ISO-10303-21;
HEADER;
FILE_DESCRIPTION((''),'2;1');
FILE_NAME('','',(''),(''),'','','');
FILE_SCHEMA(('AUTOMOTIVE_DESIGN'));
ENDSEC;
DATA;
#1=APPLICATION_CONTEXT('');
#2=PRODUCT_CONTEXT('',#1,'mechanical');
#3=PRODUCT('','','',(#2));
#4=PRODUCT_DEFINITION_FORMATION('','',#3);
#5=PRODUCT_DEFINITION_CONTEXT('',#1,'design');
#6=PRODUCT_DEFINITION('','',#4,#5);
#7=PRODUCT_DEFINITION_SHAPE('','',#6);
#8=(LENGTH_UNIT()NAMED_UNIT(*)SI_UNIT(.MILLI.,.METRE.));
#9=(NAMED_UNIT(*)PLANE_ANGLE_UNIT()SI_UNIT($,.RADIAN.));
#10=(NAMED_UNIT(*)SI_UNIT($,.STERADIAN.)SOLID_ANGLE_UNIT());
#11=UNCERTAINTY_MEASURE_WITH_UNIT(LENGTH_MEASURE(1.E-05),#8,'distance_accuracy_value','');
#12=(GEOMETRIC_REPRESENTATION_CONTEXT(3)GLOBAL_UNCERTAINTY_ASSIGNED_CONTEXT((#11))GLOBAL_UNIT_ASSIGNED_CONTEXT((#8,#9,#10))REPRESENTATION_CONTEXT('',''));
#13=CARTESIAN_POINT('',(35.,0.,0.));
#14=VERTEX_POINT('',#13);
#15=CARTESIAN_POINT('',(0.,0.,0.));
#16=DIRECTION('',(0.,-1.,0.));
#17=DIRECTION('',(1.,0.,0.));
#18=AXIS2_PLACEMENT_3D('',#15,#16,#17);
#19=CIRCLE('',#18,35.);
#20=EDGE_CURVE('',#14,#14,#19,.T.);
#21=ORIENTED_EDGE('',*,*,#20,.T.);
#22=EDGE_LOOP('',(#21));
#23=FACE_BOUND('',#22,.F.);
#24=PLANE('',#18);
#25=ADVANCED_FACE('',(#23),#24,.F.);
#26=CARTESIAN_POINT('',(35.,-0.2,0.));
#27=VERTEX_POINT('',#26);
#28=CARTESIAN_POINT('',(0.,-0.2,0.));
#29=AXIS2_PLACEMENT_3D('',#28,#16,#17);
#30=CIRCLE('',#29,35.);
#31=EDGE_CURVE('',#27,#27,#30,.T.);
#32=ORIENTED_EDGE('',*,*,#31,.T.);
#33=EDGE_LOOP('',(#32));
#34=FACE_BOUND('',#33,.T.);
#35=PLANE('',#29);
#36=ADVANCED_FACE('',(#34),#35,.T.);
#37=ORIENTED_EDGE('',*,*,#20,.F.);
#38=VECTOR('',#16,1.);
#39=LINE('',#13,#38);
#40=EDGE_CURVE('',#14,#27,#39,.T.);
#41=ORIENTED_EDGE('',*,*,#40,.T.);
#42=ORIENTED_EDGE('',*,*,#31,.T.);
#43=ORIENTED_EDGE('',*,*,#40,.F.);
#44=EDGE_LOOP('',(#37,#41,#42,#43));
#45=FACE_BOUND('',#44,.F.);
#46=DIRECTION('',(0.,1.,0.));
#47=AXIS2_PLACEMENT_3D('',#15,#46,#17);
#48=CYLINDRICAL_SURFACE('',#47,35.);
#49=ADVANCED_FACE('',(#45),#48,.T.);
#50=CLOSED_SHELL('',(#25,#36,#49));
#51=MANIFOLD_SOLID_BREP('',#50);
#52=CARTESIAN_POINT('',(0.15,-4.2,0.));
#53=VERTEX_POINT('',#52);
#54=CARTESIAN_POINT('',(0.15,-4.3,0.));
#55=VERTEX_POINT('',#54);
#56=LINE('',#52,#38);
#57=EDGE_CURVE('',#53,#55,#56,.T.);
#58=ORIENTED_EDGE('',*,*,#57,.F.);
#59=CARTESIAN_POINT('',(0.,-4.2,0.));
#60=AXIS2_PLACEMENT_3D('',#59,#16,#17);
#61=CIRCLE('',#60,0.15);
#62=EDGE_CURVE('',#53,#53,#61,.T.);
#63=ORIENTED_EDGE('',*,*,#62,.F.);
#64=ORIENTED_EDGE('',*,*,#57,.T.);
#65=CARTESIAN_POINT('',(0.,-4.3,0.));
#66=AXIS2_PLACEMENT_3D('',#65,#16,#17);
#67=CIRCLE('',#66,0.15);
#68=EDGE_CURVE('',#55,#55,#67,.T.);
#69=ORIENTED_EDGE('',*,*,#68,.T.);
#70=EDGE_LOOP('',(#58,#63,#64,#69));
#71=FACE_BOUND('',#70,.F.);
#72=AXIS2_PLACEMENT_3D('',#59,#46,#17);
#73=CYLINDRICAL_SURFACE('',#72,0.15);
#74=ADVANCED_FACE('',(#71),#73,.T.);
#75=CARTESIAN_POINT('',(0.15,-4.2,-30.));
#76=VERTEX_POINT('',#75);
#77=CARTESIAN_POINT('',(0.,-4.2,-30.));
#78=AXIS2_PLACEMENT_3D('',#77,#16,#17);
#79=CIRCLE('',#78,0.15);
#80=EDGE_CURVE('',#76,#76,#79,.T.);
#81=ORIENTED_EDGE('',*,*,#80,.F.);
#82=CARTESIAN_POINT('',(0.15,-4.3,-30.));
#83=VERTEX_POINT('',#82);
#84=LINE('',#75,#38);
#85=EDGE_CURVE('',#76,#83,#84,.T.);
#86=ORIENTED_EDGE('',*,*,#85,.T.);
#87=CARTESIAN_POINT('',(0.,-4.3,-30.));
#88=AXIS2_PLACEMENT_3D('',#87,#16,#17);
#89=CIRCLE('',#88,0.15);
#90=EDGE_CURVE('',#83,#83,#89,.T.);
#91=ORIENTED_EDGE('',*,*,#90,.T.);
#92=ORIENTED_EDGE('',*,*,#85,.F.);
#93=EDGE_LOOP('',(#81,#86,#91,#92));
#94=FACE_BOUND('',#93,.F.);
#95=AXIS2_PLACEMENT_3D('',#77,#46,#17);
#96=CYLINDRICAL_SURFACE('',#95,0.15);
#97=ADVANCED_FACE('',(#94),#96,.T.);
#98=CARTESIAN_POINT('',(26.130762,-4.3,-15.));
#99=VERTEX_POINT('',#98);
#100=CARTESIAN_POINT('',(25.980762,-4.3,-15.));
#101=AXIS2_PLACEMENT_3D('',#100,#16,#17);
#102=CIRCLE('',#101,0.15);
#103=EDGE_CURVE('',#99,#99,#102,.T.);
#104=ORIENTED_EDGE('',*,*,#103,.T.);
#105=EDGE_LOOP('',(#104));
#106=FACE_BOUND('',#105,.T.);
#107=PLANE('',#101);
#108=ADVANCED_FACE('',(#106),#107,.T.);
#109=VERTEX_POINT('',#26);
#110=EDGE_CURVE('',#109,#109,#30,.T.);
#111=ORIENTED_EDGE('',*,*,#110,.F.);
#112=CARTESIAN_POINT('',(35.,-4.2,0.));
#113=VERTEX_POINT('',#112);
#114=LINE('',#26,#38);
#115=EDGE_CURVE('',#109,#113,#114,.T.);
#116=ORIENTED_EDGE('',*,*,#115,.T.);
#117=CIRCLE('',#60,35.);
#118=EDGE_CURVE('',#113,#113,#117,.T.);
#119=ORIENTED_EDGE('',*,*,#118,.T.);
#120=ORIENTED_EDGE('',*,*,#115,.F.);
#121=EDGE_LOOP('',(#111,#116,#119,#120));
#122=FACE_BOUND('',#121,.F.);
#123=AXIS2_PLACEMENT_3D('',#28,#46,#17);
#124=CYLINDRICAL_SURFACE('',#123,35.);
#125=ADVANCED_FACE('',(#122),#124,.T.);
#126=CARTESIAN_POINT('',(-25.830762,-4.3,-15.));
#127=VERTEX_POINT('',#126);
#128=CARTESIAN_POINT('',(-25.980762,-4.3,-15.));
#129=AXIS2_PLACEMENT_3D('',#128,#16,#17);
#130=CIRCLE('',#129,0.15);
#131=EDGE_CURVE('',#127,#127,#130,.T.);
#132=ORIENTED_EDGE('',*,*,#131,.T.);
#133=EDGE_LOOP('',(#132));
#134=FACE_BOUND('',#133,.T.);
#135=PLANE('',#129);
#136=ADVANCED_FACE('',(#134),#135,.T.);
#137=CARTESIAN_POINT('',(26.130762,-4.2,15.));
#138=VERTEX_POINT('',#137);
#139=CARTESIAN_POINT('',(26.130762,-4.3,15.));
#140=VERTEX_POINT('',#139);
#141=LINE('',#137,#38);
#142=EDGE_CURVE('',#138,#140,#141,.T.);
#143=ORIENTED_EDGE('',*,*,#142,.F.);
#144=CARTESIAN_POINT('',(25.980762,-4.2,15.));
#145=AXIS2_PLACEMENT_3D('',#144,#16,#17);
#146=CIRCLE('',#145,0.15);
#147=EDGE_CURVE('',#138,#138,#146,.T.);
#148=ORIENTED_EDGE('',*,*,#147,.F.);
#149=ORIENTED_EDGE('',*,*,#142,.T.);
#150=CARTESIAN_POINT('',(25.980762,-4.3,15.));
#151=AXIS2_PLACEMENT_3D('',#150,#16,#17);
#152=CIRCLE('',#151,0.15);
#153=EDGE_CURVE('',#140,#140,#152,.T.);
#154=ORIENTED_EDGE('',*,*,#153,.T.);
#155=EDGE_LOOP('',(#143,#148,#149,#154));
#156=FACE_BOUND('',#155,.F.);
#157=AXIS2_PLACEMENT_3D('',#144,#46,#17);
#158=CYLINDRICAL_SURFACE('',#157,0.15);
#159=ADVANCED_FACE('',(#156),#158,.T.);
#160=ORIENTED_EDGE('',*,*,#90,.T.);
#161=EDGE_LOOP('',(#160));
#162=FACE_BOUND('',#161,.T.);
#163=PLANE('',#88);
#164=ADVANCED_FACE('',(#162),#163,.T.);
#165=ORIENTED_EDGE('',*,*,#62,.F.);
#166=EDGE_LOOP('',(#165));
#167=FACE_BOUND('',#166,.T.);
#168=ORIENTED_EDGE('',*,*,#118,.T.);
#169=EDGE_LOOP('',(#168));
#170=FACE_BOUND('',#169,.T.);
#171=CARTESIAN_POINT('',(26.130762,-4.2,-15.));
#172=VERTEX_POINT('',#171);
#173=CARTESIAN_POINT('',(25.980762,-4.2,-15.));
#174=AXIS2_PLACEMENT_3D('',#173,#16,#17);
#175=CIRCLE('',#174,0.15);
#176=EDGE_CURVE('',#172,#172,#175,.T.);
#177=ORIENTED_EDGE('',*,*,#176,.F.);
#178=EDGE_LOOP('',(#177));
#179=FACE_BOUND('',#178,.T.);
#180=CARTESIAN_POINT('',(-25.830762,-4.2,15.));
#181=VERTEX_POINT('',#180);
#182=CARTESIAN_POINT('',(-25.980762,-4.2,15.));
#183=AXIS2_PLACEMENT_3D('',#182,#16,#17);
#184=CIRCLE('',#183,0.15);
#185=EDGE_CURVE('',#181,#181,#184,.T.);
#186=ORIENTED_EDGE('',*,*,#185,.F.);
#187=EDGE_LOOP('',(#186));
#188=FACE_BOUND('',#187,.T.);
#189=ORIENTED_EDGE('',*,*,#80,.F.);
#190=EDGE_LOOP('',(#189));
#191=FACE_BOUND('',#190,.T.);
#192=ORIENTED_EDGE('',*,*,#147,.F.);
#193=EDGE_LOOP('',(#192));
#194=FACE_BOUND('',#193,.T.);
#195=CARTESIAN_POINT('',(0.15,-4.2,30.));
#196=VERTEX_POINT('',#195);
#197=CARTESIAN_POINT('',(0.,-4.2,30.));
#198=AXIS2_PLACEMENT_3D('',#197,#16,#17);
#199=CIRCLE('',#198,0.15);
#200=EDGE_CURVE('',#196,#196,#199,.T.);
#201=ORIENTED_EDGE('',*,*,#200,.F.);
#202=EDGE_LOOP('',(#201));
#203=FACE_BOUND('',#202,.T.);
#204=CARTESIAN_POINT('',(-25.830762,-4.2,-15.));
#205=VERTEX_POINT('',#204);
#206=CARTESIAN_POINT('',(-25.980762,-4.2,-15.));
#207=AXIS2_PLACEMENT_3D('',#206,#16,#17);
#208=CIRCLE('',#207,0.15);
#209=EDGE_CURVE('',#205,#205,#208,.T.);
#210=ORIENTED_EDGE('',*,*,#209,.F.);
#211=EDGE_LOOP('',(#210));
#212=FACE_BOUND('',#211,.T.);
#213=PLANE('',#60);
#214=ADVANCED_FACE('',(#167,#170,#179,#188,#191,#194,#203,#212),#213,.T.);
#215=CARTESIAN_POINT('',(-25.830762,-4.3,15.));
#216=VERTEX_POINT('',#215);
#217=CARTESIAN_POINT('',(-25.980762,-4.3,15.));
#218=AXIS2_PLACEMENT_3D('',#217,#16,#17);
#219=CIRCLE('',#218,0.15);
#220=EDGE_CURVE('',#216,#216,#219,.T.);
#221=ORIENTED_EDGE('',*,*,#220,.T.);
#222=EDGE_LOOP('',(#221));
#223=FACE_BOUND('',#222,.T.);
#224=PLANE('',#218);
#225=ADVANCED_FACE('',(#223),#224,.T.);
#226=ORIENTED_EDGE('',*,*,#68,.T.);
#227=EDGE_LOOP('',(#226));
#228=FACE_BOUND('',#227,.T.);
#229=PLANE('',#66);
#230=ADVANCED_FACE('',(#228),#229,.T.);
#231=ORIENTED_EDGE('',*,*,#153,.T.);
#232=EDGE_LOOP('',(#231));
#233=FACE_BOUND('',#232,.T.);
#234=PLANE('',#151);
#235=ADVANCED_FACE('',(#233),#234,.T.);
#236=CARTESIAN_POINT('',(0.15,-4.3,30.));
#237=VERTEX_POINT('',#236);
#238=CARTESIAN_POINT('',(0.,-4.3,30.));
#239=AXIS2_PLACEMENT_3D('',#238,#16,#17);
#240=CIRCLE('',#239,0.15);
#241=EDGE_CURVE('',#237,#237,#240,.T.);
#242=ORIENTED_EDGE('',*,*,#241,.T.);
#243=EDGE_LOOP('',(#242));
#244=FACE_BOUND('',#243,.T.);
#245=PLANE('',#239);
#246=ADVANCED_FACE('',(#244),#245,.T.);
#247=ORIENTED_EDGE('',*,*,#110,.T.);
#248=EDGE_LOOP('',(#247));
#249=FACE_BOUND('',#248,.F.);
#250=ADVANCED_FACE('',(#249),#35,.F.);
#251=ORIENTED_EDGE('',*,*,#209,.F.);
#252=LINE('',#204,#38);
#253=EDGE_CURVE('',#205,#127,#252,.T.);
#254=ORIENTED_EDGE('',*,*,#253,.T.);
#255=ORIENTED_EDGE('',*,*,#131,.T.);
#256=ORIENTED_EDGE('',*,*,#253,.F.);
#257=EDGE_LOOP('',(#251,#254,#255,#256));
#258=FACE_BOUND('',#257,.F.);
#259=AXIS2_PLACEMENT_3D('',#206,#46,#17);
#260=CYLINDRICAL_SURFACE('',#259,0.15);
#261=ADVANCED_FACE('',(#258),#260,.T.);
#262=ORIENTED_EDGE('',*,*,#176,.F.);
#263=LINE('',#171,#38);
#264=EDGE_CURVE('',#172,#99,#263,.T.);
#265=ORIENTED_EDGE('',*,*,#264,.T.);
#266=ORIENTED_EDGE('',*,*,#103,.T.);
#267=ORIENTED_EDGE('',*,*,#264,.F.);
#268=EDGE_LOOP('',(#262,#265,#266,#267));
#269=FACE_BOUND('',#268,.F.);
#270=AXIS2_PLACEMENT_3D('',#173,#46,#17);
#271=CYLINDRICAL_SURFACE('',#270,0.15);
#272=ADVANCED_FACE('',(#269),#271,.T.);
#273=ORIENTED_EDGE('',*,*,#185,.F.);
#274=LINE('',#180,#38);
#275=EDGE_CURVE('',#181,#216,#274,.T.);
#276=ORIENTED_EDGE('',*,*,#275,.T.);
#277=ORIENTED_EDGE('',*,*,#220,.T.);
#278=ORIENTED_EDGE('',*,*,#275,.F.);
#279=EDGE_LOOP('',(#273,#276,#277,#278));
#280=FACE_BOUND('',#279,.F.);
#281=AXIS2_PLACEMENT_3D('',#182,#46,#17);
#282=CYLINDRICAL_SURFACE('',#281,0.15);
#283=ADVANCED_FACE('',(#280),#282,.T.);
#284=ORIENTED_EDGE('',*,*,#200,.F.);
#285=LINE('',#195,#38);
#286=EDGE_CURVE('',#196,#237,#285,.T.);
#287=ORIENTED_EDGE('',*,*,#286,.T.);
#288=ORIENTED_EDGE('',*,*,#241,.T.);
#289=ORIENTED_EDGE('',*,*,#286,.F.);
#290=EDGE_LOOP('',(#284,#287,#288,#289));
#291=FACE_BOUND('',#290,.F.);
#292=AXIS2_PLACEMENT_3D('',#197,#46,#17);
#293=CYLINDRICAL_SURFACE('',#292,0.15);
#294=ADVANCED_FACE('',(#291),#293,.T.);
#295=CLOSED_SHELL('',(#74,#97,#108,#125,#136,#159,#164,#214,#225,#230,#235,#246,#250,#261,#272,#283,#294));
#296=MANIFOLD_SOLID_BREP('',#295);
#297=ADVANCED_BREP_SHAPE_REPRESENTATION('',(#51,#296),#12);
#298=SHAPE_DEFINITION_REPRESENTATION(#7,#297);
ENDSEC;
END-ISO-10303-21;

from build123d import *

# Parameters (mm, degrees)
F0_R     = 35
F1_DEPTH = 0.2
F2_R     = 35
F3_DEPTH = 4
F4_R     = 0.15
F5_DEPTH = 0.1


with BuildPart() as f1:
    # F0 (on Front) → F1 (new body)
    with BuildSketch(Plane.XZ):
        Circle(F0_R)
    extrude(amount=F1_DEPTH)


with BuildPart() as f3:
    # F2 (on face) → F3 (new body)
    with BuildSketch(Plane.XZ.offset(0.2)):
        Circle(F2_R)
    extrude(amount=F3_DEPTH)

    # F4 (on face) → F5 (join)
    with BuildSketch(Plane.XZ.offset(4.2)):
        with Locations((0, 30)):
            Circle(F4_R)
        with Locations((-25.980762, 15)):
            Circle(F4_R)
        with Locations((-25.980762, -15)):
            Circle(F4_R)
        with Locations((0, -30)):
            Circle(F4_R)
        with Locations((25.980762, -15)):
            Circle(F4_R)
        with Locations((25.980762, 15)):
            Circle(F4_R)
        Circle(F4_R)
    extrude(amount=F5_DEPTH)


solid = Compound([f1.part, f3.part])
